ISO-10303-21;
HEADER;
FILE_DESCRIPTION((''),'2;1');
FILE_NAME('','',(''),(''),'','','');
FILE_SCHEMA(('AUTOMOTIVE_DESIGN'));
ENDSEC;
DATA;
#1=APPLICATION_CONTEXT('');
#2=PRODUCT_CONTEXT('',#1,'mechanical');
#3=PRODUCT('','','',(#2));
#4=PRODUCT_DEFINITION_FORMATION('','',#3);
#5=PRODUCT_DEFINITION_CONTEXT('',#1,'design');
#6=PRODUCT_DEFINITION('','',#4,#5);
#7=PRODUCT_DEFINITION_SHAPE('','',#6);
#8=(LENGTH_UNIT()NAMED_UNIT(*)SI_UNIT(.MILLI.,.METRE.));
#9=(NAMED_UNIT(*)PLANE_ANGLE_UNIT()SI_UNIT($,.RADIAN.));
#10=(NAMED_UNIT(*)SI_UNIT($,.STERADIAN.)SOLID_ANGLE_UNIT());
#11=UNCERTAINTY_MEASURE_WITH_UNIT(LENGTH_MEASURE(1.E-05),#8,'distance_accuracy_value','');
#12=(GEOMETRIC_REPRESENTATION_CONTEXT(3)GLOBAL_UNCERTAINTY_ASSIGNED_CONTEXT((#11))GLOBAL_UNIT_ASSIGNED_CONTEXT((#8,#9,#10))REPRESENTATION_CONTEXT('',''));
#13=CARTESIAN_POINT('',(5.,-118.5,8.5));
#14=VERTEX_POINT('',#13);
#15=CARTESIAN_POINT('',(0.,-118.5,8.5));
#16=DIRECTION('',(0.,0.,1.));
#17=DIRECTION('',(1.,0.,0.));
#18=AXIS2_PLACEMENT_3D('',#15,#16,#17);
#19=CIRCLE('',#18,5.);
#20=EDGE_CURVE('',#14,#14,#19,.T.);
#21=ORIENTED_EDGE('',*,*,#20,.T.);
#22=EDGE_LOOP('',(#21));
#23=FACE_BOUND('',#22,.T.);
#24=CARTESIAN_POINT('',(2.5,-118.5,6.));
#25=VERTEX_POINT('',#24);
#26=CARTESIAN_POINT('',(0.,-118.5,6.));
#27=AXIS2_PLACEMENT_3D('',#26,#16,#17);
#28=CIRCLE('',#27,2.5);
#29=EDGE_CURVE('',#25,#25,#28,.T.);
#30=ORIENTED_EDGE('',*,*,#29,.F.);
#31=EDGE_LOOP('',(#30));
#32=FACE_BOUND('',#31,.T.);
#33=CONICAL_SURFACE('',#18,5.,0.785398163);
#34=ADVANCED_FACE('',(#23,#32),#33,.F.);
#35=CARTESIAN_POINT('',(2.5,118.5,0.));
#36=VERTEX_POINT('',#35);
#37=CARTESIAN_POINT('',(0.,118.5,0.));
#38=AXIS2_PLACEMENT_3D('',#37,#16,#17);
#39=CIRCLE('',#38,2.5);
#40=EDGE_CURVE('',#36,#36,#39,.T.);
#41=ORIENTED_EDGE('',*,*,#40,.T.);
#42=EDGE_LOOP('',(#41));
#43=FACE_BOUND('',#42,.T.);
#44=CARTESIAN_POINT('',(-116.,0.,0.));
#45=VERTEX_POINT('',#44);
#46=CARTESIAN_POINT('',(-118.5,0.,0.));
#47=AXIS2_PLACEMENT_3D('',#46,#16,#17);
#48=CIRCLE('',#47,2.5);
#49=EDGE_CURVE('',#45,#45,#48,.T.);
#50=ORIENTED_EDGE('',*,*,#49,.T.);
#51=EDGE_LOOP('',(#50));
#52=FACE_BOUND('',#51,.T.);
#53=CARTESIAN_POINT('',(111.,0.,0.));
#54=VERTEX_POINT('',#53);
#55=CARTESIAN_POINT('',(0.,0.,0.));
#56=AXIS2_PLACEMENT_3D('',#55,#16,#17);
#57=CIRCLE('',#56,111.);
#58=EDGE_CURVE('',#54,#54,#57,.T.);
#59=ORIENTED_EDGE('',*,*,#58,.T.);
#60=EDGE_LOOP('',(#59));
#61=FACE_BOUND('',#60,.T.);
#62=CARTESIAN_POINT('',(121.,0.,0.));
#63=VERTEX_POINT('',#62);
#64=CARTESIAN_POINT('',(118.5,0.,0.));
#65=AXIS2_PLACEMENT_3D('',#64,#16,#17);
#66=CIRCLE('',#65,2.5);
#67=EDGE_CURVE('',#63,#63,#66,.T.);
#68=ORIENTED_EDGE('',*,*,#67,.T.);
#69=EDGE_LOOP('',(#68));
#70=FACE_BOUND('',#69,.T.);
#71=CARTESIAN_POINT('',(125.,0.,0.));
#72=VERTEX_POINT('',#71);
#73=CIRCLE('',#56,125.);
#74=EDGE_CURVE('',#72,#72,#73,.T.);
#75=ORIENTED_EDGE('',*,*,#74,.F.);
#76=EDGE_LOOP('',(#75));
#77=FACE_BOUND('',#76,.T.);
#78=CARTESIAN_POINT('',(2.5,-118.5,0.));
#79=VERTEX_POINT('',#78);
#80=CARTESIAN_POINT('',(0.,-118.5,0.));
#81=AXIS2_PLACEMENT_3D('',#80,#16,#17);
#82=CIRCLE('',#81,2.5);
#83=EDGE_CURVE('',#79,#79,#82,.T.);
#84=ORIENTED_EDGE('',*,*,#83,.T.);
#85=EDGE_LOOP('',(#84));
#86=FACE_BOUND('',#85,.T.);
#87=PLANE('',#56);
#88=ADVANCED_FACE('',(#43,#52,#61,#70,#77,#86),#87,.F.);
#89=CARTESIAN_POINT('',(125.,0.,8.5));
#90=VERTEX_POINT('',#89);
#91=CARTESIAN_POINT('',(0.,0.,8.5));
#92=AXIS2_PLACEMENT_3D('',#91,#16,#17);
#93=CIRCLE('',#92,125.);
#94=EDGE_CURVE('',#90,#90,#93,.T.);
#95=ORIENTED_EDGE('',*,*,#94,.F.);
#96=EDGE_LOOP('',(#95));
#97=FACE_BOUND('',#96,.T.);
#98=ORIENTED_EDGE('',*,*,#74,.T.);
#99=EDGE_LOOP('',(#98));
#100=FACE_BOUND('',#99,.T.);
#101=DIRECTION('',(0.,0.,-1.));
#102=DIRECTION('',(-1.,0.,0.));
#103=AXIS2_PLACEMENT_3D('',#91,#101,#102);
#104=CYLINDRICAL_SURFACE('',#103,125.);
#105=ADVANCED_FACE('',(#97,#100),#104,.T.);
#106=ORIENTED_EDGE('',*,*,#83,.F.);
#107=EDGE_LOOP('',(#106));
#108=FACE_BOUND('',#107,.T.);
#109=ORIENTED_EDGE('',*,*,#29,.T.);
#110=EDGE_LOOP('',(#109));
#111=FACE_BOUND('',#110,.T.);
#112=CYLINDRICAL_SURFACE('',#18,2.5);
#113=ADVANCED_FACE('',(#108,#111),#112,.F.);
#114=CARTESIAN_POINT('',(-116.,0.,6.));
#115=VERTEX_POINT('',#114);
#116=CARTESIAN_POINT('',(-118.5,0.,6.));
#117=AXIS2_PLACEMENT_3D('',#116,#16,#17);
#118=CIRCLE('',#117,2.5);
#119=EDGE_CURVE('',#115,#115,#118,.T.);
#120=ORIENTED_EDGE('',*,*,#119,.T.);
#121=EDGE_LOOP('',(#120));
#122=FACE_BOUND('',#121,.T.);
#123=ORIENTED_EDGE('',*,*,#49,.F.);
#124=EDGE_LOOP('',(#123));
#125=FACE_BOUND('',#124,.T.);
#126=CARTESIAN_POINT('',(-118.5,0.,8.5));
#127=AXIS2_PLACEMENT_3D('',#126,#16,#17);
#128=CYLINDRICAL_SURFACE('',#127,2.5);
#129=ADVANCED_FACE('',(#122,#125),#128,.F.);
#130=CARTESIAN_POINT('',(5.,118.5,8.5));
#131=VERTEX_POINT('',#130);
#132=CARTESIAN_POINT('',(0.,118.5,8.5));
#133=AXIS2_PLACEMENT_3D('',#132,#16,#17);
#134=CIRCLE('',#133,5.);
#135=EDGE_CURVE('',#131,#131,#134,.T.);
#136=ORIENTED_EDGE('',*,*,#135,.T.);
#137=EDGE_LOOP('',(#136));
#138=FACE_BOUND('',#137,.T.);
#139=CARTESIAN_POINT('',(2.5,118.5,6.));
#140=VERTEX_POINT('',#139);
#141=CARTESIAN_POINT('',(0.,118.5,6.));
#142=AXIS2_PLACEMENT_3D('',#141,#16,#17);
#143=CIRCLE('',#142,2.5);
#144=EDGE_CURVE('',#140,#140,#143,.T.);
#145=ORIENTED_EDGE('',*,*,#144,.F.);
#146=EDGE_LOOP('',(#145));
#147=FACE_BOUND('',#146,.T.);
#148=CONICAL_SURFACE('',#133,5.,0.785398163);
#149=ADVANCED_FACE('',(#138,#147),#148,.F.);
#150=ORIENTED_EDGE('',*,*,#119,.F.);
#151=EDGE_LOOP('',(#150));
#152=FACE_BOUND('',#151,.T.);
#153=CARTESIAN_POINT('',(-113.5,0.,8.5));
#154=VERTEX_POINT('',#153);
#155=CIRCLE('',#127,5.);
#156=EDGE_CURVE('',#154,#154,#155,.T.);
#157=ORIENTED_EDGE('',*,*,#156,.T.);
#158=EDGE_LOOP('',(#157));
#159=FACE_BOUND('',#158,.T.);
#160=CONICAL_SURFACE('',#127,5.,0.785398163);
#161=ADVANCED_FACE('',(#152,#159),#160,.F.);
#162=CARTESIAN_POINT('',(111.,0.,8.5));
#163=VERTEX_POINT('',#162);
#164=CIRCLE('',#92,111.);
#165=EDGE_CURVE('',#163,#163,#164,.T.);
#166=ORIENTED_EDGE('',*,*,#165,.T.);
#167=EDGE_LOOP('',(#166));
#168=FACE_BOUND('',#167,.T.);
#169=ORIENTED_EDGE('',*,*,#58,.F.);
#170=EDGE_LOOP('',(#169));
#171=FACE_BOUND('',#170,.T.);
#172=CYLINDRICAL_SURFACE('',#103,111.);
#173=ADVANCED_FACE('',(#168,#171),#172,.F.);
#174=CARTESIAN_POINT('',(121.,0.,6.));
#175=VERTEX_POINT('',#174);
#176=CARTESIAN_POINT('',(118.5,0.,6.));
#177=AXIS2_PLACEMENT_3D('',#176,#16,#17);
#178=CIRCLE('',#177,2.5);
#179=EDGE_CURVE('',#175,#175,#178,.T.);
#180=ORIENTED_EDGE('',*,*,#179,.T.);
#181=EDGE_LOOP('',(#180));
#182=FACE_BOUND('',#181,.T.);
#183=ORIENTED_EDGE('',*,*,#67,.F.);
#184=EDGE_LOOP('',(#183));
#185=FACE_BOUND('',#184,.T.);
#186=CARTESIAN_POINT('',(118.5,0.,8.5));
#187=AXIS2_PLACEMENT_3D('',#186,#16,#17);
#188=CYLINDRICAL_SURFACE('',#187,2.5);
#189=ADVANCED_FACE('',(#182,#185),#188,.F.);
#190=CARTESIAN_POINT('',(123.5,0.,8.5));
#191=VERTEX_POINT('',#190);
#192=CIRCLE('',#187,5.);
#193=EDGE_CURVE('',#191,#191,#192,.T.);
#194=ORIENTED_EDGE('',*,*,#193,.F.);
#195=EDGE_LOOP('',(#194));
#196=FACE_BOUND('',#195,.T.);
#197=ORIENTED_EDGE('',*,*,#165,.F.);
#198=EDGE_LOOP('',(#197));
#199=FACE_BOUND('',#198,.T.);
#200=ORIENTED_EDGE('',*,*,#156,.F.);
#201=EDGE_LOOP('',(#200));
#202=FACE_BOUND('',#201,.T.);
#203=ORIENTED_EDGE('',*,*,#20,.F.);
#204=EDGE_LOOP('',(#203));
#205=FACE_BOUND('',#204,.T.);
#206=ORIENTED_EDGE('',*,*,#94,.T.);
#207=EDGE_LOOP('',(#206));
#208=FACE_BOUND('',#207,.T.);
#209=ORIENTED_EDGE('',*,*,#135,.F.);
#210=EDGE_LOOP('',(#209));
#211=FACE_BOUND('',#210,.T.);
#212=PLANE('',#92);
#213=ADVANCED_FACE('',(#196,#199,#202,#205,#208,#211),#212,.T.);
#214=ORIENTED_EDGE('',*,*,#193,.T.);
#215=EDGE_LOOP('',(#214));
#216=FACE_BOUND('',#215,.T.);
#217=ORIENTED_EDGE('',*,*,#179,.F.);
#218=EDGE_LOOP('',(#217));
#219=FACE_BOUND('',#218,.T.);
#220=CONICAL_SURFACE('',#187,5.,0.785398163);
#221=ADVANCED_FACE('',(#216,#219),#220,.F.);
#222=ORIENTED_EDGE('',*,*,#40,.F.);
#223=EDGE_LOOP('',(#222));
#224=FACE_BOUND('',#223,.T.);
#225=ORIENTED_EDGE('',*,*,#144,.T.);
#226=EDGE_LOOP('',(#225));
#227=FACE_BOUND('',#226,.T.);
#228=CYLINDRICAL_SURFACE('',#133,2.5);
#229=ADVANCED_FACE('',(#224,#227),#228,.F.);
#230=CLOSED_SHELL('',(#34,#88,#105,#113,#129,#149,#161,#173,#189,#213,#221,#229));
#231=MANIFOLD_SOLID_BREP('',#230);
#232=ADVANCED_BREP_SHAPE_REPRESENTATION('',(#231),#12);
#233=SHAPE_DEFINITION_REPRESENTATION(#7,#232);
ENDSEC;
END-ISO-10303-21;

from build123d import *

# Parameters (mm, degrees)
SCHIZZO1_R                                           = 125
SCHIZZO1_R_2                                         = 111
ESTRUSIONE_ESTRUSIONE1_DEPTH                         = 8.5
FORO_SVASATO_PER_VITE_M4_A_TESTA_SVASATA_D           = 5
FORO_SVASATO_PER_VITE_M4_A_TESTA_SVASATA_CSINK_D     = 10
FORO_SVASATO_PER_VITE_M4_A_TESTA_SVASATA_CSINK_ANGLE = 90
RIPETIZIONECIRCOLARE1_COUNT                          = 4


with BuildPart() as part:
    # Schizzo1 → Estrusione-Estrusione1 (new body)
    with BuildSketch(Plane.XY):
        Circle(SCHIZZO1_R)
        Circle(SCHIZZO1_R_2, mode=Mode.SUBTRACT)
    extrude(amount=ESTRUSIONE_ESTRUSIONE1_DEPTH)

    # Foro svasato per Vite M4 a testa svasata cilindrica2 (through all)
    with Locations(Plane.XY.offset(8.5)):
        with Locations((0, -118.5)):
            foro_svasato_per_vite_m4_a_testa_svasata = CounterSinkHole(FORO_SVASATO_PER_VITE_M4_A_TESTA_SVASATA_D / 2, FORO_SVASATO_PER_VITE_M4_A_TESTA_SVASATA_CSINK_D / 2, counter_sink_angle=FORO_SVASATO_PER_VITE_M4_A_TESTA_SVASATA_CSINK_ANGLE)

    # RipetizioneCircolare1: Foro svasato per Vite M4 a testa svasata cilindrica2 ×4 about axis
    ripetizionecircolare1_axis = Axis((0, 0, 0), (0, 0, 1))
    for i in range(1, RIPETIZIONECIRCOLARE1_COUNT):
        add(foro_svasato_per_vite_m4_a_testa_svasata.rotate(ripetizionecircolare1_axis, i * 360 / RIPETIZIONECIRCOLARE1_COUNT), mode=Mode.SUBTRACT)


solid = part.part
